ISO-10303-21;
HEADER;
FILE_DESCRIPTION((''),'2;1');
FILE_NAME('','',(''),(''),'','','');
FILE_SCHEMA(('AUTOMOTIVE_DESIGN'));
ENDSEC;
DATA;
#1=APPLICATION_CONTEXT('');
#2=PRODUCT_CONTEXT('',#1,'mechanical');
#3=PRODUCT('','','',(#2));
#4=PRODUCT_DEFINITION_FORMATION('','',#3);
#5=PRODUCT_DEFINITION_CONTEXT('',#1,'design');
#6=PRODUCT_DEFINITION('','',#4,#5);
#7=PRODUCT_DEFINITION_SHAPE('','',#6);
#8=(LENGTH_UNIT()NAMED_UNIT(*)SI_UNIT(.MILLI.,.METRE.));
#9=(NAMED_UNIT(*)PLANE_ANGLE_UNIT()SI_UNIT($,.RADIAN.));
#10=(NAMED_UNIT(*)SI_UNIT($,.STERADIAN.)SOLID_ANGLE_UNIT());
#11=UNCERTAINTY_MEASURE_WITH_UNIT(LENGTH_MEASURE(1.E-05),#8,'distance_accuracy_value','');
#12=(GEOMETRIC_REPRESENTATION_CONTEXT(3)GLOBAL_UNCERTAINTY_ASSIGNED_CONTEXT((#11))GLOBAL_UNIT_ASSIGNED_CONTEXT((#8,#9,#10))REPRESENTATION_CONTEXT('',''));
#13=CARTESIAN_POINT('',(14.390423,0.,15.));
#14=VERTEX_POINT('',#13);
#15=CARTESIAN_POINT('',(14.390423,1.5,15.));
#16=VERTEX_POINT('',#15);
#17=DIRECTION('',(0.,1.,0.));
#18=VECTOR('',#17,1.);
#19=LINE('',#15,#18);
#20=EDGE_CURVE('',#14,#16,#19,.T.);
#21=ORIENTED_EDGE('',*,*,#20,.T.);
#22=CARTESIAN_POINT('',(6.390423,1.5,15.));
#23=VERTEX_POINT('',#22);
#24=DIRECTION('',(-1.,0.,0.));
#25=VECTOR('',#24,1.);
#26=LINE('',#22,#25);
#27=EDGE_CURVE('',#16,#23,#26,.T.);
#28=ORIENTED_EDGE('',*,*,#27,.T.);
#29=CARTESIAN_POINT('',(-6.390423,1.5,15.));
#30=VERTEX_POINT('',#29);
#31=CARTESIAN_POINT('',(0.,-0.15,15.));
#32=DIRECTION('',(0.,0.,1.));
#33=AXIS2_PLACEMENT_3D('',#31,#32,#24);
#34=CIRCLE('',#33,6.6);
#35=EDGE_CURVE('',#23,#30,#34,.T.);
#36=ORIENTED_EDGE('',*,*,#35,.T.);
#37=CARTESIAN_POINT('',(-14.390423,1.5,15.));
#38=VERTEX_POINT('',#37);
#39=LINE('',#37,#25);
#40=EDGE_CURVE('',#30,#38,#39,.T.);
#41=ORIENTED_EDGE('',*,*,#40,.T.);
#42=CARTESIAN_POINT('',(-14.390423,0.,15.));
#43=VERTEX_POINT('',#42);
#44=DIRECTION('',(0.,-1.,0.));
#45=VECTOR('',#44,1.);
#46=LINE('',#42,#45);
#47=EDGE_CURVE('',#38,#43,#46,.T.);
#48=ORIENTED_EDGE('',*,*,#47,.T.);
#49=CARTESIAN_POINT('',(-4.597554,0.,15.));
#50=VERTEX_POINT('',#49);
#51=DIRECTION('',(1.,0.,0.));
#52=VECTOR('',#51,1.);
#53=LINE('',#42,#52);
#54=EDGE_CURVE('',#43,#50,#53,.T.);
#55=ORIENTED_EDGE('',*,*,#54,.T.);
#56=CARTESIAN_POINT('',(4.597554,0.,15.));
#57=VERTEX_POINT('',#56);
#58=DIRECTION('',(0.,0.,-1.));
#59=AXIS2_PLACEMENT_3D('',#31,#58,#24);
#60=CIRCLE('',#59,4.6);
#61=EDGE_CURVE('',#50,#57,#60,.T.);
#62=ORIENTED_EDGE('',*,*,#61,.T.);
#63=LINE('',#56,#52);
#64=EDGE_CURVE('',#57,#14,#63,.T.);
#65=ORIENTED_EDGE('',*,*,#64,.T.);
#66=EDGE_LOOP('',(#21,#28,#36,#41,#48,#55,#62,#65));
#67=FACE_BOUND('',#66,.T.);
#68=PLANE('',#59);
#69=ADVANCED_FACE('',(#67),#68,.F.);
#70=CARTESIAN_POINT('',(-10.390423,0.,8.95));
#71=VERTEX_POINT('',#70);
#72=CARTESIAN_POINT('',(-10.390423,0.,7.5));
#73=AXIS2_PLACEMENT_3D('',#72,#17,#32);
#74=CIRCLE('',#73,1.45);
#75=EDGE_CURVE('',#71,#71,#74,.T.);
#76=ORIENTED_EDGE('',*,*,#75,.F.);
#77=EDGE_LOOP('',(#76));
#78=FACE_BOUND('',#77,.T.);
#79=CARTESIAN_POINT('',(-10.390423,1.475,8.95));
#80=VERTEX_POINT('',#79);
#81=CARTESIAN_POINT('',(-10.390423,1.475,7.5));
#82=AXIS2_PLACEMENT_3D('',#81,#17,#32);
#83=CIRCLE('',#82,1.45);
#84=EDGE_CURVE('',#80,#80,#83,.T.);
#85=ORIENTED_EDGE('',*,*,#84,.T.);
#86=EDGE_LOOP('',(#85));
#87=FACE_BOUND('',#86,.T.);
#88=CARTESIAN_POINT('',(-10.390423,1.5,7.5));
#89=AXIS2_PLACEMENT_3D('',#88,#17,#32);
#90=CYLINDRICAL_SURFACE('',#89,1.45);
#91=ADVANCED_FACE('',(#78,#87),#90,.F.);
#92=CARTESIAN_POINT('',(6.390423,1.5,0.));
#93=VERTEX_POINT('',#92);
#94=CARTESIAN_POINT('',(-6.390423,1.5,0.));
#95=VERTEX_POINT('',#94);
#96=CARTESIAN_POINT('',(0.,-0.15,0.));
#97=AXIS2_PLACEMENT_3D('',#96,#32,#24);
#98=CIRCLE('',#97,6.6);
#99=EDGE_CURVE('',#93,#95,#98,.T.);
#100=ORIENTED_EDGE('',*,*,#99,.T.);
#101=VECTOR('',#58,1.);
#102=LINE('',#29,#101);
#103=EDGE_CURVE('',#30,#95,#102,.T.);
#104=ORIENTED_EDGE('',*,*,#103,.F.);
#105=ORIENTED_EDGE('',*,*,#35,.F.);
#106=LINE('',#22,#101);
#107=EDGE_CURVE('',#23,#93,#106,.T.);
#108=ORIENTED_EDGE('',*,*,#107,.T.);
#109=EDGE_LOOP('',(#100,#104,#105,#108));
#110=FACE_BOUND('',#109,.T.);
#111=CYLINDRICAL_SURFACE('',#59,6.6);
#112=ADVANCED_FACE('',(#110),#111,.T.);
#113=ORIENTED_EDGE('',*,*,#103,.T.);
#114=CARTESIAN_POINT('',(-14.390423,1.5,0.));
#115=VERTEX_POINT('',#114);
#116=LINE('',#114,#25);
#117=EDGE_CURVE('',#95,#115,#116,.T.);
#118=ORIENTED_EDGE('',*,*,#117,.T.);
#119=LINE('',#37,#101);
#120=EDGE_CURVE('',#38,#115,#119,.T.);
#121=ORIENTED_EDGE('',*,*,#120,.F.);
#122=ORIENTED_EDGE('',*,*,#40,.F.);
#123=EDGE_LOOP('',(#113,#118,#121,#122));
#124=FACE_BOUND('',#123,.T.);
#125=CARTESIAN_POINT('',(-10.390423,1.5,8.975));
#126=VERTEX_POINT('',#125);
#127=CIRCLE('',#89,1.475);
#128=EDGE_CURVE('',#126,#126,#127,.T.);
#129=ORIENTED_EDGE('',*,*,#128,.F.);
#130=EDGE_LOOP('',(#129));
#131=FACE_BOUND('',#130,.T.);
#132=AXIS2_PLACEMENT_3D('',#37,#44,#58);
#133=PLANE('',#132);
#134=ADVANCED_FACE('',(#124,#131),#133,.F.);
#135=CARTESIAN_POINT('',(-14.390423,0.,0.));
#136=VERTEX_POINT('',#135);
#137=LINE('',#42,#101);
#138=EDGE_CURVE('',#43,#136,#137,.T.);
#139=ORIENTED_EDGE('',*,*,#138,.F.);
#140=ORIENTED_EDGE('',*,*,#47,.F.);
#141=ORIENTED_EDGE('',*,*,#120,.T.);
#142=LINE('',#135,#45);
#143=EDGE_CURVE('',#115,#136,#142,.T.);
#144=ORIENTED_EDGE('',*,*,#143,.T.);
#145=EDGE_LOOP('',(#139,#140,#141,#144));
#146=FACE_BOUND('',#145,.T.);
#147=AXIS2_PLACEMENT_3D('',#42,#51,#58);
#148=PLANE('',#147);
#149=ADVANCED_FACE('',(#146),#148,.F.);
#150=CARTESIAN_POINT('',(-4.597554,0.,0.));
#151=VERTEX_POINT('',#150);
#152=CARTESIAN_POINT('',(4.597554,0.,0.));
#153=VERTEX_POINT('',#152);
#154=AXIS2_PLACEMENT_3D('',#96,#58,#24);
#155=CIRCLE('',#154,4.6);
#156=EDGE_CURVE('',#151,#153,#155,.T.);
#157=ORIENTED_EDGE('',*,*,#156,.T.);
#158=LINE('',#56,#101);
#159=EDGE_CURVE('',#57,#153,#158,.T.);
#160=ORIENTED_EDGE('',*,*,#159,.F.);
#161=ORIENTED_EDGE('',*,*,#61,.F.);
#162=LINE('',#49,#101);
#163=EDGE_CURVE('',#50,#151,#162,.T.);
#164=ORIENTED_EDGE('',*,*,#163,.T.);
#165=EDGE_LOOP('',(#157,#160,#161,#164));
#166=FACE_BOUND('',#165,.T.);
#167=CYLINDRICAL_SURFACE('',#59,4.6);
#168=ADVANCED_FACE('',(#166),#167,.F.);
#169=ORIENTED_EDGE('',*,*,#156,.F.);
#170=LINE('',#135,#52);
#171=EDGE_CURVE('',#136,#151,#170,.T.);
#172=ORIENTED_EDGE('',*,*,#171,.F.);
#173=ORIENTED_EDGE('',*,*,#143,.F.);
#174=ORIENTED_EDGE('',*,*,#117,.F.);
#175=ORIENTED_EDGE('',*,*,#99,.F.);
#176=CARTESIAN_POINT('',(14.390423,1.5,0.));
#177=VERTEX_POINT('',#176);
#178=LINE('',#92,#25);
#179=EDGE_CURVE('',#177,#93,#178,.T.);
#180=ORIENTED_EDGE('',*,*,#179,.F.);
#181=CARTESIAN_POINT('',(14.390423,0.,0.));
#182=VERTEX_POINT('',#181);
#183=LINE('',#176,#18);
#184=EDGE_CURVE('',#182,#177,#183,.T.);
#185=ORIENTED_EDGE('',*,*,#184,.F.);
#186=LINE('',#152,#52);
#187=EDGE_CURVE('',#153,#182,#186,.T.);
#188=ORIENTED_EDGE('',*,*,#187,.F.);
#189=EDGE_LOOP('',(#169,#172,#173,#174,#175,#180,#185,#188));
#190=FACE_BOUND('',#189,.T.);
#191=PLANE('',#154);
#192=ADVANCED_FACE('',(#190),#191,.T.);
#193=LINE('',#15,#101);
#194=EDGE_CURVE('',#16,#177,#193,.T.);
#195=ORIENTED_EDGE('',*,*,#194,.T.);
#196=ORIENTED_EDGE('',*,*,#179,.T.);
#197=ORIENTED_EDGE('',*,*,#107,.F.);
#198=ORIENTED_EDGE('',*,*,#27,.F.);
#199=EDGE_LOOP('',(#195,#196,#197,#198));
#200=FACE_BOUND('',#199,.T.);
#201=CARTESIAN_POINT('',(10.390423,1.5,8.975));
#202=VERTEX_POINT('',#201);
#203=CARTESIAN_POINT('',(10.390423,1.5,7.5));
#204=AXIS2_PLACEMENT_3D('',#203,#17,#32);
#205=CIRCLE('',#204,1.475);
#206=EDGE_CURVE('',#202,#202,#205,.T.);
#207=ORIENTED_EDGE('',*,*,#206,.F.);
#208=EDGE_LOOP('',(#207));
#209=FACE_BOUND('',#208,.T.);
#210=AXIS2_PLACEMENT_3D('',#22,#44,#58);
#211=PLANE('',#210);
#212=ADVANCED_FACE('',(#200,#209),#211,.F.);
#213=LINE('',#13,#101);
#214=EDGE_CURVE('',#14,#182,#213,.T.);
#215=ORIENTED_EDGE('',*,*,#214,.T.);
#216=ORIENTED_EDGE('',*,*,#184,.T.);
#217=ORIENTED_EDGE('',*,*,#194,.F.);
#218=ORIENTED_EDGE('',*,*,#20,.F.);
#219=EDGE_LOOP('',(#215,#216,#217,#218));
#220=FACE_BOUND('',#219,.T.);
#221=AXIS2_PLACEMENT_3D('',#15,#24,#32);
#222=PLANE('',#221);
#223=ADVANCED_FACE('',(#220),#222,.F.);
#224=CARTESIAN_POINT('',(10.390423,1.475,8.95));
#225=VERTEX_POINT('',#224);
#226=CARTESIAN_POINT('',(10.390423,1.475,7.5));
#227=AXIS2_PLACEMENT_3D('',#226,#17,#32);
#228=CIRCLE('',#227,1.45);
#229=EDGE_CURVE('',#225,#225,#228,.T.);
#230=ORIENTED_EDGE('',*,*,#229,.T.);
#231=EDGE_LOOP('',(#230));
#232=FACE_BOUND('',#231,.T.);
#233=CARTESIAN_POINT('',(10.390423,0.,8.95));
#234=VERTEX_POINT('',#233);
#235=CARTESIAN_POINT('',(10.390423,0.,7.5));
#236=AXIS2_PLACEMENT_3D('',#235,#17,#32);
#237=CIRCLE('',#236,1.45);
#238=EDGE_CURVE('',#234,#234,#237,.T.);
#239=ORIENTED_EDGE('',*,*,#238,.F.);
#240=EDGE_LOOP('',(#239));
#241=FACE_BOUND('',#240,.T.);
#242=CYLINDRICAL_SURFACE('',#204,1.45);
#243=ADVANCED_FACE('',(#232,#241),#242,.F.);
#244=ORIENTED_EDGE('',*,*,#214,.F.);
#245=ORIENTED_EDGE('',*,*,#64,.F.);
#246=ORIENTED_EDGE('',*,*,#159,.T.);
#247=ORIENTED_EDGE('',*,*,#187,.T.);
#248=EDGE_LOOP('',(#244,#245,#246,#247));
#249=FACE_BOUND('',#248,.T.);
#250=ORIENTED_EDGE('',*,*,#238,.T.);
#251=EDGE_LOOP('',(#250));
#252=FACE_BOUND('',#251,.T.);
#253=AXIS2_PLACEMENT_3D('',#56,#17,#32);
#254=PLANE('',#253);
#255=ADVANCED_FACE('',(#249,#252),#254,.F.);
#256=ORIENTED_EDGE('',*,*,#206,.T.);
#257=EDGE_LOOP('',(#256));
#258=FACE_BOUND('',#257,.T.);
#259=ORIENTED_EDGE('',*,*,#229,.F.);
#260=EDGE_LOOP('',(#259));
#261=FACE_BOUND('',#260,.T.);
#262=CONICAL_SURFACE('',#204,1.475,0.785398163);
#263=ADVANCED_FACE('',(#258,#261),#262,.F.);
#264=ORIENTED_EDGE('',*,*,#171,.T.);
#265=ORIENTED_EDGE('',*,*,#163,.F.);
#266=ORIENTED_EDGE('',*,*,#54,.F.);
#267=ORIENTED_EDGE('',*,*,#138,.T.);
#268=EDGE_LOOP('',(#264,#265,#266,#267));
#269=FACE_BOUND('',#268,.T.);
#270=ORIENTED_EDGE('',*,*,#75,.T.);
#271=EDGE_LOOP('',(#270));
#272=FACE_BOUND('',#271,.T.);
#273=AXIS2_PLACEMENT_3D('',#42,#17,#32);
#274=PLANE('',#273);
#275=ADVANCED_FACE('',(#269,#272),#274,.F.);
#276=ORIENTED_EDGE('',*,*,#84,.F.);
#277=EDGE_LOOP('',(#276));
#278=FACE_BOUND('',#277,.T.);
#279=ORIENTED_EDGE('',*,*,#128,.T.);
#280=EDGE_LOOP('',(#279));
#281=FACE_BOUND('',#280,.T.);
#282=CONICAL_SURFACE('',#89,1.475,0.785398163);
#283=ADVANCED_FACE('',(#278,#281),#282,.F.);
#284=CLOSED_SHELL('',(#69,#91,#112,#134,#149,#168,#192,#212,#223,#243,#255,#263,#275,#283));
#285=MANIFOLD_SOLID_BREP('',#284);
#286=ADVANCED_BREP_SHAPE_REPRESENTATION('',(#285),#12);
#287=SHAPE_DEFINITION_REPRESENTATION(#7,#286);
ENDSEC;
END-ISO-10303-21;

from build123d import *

# Parameters (mm, degrees)
BOSS_EXTRUDE1_DEPTH              = 15
M2_5_CLEARANCE_HOLE1_D           = 2.9
M2_5_CLEARANCE_HOLE1_CSINK_D     = 2.95
M2_5_CLEARANCE_HOLE1_CSINK_ANGLE = 90


with BuildPart() as part:
    # Sketch1 → Boss-Extrude1 (new body)
    with BuildSketch(Plane.XY):
        with BuildLine():
            Line((-14.390422521, 0), (-4.597553697, 0))
            ThreePointArc((-4.597553697, 0), (0, 4.45), (4.597553697, 0))
            Line((4.597553697, 0), (14.390422521, 0))
            Line((14.390422521, 0), (14.390422521, 1.5))
            Line((14.390422521, 1.5), (6.390422521, 1.5))
            ThreePointArc((6.390422521, 1.5), (0, 6.45), (-6.390422521, 1.5))
            Line((-6.390422521, 1.5), (-14.390422521, 1.5))
            Line((-14.390422521, 1.5), (-14.390422521, 0))
        make_face()
    extrude(amount=BOSS_EXTRUDE1_DEPTH)

    # M2.5 Clearance Hole1 (through all)
    with Locations(Plane(origin=(0, 1.5, 0), x_dir=(1, 0, 0), z_dir=(0, 1, 0))):
        with Locations((-10.390422521, -7.5), (10.390422521, -7.5)):
            CounterSinkHole(M2_5_CLEARANCE_HOLE1_D / 2, M2_5_CLEARANCE_HOLE1_CSINK_D / 2, counter_sink_angle=M2_5_CLEARANCE_HOLE1_CSINK_ANGLE)


solid = part.part
